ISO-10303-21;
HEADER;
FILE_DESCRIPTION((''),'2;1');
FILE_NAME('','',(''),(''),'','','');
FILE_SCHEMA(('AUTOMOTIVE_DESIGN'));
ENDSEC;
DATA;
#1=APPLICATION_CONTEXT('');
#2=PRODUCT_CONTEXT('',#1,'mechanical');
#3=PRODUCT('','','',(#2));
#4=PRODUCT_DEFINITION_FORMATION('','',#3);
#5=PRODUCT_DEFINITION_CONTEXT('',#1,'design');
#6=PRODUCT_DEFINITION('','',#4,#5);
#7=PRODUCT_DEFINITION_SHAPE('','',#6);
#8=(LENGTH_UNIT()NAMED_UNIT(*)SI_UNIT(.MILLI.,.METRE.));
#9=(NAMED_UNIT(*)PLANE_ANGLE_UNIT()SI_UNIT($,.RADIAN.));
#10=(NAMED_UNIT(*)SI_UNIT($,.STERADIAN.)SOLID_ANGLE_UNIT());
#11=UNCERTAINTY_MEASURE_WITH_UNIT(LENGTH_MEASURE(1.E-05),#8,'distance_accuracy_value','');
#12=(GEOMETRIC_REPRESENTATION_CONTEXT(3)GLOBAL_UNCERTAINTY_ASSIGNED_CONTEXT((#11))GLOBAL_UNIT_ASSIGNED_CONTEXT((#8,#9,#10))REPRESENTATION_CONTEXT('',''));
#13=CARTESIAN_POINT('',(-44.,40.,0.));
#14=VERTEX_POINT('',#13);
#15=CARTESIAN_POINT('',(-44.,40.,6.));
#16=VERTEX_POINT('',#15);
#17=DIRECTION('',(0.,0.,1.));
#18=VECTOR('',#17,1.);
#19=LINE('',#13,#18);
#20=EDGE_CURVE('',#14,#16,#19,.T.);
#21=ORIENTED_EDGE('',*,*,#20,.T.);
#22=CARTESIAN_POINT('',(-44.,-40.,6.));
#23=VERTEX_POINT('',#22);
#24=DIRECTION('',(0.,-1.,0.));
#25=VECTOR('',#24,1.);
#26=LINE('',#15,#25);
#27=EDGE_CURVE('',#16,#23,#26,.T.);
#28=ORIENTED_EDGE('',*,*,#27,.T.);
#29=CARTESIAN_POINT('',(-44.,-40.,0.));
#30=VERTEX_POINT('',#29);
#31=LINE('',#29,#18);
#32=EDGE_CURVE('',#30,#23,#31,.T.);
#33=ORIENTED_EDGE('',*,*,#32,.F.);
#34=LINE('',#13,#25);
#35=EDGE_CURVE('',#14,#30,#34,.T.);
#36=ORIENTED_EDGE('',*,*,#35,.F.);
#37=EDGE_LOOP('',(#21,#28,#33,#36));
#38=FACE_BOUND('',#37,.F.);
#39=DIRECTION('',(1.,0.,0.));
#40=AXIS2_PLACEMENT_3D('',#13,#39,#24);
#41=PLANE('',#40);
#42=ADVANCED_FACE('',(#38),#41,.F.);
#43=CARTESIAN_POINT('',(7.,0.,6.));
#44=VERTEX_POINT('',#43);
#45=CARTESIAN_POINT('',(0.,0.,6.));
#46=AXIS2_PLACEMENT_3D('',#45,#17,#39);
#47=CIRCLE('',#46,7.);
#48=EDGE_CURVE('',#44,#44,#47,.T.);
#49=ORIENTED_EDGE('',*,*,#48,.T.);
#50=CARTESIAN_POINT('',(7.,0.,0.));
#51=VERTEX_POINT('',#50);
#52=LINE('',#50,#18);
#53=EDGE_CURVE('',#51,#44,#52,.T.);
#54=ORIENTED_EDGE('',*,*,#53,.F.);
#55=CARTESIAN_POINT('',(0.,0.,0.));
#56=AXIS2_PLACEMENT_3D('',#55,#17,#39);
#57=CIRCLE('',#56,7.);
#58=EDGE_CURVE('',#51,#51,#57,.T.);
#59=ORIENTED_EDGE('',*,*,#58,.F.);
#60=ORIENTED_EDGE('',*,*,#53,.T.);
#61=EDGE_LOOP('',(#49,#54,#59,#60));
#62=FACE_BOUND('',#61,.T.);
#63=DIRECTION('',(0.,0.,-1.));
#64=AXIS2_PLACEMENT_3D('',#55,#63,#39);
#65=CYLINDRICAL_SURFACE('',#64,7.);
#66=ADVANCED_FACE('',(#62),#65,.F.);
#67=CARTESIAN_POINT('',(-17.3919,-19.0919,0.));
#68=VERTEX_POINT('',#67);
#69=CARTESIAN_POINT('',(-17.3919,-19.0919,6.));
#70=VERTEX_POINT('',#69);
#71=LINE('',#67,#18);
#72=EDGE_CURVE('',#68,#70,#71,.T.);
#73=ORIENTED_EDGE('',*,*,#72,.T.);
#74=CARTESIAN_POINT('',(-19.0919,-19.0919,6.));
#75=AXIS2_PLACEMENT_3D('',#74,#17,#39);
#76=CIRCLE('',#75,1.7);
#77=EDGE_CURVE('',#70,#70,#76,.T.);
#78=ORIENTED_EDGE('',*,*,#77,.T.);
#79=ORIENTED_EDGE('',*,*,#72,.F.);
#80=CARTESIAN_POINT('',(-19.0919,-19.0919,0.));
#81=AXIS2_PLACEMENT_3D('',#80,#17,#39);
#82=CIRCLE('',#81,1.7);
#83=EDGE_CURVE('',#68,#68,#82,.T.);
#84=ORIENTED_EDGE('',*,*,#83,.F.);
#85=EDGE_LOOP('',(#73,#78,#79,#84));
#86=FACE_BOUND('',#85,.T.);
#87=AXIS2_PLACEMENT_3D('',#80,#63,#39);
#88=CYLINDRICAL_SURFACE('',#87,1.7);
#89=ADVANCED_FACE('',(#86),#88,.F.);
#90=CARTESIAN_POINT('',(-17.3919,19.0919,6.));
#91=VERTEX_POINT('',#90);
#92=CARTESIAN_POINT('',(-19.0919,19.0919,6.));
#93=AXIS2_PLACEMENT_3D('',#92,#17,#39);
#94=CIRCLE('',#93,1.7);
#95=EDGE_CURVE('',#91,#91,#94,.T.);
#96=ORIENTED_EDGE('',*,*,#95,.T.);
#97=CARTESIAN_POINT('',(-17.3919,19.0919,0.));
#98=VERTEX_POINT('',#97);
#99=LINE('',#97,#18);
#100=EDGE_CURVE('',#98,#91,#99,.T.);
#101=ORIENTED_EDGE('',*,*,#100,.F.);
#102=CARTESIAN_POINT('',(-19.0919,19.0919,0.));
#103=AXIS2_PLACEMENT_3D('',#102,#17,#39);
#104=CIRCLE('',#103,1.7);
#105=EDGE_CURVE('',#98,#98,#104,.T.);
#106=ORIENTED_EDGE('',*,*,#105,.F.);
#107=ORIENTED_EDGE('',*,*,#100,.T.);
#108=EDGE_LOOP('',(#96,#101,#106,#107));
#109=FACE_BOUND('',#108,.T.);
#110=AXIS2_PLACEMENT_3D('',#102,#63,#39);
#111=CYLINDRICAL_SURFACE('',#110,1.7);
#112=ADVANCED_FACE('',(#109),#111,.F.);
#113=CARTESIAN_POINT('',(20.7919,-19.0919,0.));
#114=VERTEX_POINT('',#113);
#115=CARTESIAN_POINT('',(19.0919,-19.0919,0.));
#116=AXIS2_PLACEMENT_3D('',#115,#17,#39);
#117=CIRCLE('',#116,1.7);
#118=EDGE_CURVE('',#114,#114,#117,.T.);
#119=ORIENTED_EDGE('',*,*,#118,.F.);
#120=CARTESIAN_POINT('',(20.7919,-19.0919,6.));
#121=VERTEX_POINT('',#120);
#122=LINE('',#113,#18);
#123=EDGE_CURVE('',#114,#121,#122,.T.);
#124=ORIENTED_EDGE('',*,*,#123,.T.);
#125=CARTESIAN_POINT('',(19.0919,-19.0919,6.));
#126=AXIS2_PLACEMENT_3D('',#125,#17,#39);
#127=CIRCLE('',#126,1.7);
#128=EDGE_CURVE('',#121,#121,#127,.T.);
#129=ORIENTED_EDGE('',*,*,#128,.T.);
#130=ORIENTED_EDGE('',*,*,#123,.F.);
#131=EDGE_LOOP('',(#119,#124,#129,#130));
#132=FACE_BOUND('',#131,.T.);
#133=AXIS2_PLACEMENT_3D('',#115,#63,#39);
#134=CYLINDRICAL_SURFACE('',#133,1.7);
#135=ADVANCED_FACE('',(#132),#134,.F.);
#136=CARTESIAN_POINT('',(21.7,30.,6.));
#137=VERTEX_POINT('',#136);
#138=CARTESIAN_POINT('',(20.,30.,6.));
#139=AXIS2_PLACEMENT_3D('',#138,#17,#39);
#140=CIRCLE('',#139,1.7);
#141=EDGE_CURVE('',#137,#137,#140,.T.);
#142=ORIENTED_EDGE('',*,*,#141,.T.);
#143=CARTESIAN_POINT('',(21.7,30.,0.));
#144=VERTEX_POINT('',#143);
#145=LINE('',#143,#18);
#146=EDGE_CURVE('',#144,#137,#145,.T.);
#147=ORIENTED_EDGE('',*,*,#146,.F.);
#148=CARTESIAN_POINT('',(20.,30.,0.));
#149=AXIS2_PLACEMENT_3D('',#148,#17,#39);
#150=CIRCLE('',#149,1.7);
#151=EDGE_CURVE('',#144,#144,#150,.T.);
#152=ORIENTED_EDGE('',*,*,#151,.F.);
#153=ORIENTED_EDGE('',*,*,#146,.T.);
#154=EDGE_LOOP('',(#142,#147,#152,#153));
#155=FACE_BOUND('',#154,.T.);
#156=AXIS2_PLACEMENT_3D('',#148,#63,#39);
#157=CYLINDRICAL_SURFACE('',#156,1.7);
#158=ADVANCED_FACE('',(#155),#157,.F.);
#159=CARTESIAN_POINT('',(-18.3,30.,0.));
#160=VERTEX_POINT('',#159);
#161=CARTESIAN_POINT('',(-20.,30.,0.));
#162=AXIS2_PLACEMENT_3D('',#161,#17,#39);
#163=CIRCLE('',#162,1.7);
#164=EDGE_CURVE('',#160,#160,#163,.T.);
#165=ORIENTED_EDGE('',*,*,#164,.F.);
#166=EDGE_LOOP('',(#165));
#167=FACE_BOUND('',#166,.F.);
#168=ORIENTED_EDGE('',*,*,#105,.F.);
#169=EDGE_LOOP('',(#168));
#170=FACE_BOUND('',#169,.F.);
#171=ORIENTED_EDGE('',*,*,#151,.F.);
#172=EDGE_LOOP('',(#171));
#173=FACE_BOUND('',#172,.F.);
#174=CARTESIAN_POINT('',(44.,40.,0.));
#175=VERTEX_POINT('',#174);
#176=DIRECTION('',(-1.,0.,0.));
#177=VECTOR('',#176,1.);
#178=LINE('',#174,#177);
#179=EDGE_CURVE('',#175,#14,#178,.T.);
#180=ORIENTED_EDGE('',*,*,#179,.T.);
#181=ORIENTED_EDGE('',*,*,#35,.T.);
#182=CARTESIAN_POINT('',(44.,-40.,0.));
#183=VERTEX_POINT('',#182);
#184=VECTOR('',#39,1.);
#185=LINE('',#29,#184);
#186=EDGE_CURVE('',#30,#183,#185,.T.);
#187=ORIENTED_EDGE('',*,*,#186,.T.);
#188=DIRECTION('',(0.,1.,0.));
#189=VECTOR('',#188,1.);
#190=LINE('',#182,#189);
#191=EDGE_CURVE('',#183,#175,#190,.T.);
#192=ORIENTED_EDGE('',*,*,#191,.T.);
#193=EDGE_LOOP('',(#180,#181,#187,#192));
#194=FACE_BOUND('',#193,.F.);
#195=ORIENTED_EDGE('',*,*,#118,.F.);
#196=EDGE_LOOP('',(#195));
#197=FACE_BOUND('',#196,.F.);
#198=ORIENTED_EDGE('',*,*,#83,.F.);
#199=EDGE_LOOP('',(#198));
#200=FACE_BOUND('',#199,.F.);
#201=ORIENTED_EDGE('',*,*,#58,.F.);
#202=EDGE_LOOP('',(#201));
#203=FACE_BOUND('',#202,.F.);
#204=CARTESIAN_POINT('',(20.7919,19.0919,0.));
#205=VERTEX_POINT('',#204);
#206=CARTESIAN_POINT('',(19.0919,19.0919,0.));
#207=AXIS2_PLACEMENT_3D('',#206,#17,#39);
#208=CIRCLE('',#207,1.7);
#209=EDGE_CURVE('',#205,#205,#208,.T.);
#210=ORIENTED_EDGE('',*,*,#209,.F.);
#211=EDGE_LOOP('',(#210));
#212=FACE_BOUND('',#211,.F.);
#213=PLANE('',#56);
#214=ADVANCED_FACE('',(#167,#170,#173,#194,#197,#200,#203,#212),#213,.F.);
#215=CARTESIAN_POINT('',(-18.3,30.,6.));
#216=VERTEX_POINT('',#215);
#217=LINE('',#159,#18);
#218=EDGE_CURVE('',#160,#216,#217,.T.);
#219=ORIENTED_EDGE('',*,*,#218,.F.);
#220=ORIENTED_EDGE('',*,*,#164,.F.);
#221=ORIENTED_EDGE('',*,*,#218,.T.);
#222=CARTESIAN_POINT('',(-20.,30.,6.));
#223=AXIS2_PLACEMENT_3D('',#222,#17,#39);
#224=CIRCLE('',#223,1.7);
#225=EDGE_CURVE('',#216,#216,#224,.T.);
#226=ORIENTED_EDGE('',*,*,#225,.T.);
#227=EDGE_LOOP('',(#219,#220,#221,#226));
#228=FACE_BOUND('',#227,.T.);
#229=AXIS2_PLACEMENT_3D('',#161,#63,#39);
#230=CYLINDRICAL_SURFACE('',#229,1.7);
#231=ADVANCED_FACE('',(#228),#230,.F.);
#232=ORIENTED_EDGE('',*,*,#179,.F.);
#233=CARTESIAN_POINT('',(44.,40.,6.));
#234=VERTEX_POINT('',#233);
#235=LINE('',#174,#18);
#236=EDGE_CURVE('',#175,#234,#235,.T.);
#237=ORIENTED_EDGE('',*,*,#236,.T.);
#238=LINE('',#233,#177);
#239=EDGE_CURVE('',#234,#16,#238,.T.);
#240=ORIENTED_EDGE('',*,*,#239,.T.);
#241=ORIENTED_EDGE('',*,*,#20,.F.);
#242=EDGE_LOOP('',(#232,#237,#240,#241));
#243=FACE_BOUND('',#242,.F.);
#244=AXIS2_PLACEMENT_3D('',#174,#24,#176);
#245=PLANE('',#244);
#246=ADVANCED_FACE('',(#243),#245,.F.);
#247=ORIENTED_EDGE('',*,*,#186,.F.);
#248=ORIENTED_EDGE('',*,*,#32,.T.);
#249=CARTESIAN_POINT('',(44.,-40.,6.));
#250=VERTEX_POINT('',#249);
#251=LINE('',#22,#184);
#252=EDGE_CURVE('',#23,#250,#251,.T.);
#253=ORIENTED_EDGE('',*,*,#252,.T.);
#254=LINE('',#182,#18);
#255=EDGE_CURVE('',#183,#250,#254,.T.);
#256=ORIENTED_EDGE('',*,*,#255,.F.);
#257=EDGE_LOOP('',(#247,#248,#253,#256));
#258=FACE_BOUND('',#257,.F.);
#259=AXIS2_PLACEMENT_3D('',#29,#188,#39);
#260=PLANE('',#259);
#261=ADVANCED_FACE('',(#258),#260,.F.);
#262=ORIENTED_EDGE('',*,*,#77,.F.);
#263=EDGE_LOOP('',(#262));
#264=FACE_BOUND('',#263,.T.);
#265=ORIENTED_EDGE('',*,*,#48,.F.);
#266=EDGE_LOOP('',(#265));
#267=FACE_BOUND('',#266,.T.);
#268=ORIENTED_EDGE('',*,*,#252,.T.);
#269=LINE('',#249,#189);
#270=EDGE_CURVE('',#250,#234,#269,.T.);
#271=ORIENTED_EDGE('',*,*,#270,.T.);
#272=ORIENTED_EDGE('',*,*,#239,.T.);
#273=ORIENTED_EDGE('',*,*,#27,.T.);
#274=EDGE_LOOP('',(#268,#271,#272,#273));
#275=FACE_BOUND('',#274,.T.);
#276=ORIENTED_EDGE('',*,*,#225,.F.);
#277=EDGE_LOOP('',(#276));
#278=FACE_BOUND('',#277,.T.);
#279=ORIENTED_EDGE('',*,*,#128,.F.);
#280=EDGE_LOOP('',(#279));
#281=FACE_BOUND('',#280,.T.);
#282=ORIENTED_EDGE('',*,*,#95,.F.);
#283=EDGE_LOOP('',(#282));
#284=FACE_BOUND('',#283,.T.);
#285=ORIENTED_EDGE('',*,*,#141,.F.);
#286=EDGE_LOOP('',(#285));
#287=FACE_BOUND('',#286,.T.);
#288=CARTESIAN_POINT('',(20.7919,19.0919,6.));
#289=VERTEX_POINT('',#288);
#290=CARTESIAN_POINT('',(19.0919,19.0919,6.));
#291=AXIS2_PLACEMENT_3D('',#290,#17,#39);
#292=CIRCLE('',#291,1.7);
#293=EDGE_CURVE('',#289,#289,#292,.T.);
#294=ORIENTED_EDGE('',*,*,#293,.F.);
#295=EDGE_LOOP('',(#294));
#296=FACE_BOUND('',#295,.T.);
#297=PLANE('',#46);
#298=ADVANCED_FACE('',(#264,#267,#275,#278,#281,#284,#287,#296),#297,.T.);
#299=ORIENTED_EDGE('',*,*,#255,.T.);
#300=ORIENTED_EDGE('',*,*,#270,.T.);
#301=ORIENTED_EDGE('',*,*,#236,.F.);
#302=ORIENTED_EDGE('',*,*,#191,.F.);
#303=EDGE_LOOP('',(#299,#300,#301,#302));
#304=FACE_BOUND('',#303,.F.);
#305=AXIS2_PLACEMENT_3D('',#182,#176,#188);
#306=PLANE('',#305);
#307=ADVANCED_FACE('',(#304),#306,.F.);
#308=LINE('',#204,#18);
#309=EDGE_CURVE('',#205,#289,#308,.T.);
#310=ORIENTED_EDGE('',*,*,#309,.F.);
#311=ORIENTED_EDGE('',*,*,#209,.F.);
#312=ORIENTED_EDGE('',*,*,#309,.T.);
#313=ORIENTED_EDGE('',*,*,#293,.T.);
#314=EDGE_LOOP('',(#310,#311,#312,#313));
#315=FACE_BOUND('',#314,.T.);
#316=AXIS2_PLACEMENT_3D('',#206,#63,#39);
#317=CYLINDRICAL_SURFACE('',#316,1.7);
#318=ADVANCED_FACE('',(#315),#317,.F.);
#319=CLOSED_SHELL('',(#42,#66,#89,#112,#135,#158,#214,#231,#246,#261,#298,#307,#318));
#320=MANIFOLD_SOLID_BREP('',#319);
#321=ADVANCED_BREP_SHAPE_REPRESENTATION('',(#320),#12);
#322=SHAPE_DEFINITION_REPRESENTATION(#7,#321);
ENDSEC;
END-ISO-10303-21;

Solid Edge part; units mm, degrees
sketch "Sketch1" plane through (0, 0, 0) normal (0, 0, 1) x (1, 0, 0)
  line L0 (-44, -40) -> (44, -40)
  line L1 (44, -40) -> (44, 40)
  line L2 (44, 40) -> (-44, 40)
  line L3 (-44, 40) -> (-44, -40)
  circle A0 centre (0, 0) radius 7
  circle A1 centre (19.0919, 19.0919) radius 1.7
  circle A2 centre (-19.0919, 19.0919) radius 1.7
  circle A3 centre (-19.0919, -19.0919) radius 1.7
  circle A4 centre (19.0919, -19.0919) radius 1.7
  circle A5 centre (-20, 30) radius 1.7
  circle A6 centre (20, 30) radius 1.7
extrude "Protrusion1" add sketch "Sketch1" along normal blind 6
